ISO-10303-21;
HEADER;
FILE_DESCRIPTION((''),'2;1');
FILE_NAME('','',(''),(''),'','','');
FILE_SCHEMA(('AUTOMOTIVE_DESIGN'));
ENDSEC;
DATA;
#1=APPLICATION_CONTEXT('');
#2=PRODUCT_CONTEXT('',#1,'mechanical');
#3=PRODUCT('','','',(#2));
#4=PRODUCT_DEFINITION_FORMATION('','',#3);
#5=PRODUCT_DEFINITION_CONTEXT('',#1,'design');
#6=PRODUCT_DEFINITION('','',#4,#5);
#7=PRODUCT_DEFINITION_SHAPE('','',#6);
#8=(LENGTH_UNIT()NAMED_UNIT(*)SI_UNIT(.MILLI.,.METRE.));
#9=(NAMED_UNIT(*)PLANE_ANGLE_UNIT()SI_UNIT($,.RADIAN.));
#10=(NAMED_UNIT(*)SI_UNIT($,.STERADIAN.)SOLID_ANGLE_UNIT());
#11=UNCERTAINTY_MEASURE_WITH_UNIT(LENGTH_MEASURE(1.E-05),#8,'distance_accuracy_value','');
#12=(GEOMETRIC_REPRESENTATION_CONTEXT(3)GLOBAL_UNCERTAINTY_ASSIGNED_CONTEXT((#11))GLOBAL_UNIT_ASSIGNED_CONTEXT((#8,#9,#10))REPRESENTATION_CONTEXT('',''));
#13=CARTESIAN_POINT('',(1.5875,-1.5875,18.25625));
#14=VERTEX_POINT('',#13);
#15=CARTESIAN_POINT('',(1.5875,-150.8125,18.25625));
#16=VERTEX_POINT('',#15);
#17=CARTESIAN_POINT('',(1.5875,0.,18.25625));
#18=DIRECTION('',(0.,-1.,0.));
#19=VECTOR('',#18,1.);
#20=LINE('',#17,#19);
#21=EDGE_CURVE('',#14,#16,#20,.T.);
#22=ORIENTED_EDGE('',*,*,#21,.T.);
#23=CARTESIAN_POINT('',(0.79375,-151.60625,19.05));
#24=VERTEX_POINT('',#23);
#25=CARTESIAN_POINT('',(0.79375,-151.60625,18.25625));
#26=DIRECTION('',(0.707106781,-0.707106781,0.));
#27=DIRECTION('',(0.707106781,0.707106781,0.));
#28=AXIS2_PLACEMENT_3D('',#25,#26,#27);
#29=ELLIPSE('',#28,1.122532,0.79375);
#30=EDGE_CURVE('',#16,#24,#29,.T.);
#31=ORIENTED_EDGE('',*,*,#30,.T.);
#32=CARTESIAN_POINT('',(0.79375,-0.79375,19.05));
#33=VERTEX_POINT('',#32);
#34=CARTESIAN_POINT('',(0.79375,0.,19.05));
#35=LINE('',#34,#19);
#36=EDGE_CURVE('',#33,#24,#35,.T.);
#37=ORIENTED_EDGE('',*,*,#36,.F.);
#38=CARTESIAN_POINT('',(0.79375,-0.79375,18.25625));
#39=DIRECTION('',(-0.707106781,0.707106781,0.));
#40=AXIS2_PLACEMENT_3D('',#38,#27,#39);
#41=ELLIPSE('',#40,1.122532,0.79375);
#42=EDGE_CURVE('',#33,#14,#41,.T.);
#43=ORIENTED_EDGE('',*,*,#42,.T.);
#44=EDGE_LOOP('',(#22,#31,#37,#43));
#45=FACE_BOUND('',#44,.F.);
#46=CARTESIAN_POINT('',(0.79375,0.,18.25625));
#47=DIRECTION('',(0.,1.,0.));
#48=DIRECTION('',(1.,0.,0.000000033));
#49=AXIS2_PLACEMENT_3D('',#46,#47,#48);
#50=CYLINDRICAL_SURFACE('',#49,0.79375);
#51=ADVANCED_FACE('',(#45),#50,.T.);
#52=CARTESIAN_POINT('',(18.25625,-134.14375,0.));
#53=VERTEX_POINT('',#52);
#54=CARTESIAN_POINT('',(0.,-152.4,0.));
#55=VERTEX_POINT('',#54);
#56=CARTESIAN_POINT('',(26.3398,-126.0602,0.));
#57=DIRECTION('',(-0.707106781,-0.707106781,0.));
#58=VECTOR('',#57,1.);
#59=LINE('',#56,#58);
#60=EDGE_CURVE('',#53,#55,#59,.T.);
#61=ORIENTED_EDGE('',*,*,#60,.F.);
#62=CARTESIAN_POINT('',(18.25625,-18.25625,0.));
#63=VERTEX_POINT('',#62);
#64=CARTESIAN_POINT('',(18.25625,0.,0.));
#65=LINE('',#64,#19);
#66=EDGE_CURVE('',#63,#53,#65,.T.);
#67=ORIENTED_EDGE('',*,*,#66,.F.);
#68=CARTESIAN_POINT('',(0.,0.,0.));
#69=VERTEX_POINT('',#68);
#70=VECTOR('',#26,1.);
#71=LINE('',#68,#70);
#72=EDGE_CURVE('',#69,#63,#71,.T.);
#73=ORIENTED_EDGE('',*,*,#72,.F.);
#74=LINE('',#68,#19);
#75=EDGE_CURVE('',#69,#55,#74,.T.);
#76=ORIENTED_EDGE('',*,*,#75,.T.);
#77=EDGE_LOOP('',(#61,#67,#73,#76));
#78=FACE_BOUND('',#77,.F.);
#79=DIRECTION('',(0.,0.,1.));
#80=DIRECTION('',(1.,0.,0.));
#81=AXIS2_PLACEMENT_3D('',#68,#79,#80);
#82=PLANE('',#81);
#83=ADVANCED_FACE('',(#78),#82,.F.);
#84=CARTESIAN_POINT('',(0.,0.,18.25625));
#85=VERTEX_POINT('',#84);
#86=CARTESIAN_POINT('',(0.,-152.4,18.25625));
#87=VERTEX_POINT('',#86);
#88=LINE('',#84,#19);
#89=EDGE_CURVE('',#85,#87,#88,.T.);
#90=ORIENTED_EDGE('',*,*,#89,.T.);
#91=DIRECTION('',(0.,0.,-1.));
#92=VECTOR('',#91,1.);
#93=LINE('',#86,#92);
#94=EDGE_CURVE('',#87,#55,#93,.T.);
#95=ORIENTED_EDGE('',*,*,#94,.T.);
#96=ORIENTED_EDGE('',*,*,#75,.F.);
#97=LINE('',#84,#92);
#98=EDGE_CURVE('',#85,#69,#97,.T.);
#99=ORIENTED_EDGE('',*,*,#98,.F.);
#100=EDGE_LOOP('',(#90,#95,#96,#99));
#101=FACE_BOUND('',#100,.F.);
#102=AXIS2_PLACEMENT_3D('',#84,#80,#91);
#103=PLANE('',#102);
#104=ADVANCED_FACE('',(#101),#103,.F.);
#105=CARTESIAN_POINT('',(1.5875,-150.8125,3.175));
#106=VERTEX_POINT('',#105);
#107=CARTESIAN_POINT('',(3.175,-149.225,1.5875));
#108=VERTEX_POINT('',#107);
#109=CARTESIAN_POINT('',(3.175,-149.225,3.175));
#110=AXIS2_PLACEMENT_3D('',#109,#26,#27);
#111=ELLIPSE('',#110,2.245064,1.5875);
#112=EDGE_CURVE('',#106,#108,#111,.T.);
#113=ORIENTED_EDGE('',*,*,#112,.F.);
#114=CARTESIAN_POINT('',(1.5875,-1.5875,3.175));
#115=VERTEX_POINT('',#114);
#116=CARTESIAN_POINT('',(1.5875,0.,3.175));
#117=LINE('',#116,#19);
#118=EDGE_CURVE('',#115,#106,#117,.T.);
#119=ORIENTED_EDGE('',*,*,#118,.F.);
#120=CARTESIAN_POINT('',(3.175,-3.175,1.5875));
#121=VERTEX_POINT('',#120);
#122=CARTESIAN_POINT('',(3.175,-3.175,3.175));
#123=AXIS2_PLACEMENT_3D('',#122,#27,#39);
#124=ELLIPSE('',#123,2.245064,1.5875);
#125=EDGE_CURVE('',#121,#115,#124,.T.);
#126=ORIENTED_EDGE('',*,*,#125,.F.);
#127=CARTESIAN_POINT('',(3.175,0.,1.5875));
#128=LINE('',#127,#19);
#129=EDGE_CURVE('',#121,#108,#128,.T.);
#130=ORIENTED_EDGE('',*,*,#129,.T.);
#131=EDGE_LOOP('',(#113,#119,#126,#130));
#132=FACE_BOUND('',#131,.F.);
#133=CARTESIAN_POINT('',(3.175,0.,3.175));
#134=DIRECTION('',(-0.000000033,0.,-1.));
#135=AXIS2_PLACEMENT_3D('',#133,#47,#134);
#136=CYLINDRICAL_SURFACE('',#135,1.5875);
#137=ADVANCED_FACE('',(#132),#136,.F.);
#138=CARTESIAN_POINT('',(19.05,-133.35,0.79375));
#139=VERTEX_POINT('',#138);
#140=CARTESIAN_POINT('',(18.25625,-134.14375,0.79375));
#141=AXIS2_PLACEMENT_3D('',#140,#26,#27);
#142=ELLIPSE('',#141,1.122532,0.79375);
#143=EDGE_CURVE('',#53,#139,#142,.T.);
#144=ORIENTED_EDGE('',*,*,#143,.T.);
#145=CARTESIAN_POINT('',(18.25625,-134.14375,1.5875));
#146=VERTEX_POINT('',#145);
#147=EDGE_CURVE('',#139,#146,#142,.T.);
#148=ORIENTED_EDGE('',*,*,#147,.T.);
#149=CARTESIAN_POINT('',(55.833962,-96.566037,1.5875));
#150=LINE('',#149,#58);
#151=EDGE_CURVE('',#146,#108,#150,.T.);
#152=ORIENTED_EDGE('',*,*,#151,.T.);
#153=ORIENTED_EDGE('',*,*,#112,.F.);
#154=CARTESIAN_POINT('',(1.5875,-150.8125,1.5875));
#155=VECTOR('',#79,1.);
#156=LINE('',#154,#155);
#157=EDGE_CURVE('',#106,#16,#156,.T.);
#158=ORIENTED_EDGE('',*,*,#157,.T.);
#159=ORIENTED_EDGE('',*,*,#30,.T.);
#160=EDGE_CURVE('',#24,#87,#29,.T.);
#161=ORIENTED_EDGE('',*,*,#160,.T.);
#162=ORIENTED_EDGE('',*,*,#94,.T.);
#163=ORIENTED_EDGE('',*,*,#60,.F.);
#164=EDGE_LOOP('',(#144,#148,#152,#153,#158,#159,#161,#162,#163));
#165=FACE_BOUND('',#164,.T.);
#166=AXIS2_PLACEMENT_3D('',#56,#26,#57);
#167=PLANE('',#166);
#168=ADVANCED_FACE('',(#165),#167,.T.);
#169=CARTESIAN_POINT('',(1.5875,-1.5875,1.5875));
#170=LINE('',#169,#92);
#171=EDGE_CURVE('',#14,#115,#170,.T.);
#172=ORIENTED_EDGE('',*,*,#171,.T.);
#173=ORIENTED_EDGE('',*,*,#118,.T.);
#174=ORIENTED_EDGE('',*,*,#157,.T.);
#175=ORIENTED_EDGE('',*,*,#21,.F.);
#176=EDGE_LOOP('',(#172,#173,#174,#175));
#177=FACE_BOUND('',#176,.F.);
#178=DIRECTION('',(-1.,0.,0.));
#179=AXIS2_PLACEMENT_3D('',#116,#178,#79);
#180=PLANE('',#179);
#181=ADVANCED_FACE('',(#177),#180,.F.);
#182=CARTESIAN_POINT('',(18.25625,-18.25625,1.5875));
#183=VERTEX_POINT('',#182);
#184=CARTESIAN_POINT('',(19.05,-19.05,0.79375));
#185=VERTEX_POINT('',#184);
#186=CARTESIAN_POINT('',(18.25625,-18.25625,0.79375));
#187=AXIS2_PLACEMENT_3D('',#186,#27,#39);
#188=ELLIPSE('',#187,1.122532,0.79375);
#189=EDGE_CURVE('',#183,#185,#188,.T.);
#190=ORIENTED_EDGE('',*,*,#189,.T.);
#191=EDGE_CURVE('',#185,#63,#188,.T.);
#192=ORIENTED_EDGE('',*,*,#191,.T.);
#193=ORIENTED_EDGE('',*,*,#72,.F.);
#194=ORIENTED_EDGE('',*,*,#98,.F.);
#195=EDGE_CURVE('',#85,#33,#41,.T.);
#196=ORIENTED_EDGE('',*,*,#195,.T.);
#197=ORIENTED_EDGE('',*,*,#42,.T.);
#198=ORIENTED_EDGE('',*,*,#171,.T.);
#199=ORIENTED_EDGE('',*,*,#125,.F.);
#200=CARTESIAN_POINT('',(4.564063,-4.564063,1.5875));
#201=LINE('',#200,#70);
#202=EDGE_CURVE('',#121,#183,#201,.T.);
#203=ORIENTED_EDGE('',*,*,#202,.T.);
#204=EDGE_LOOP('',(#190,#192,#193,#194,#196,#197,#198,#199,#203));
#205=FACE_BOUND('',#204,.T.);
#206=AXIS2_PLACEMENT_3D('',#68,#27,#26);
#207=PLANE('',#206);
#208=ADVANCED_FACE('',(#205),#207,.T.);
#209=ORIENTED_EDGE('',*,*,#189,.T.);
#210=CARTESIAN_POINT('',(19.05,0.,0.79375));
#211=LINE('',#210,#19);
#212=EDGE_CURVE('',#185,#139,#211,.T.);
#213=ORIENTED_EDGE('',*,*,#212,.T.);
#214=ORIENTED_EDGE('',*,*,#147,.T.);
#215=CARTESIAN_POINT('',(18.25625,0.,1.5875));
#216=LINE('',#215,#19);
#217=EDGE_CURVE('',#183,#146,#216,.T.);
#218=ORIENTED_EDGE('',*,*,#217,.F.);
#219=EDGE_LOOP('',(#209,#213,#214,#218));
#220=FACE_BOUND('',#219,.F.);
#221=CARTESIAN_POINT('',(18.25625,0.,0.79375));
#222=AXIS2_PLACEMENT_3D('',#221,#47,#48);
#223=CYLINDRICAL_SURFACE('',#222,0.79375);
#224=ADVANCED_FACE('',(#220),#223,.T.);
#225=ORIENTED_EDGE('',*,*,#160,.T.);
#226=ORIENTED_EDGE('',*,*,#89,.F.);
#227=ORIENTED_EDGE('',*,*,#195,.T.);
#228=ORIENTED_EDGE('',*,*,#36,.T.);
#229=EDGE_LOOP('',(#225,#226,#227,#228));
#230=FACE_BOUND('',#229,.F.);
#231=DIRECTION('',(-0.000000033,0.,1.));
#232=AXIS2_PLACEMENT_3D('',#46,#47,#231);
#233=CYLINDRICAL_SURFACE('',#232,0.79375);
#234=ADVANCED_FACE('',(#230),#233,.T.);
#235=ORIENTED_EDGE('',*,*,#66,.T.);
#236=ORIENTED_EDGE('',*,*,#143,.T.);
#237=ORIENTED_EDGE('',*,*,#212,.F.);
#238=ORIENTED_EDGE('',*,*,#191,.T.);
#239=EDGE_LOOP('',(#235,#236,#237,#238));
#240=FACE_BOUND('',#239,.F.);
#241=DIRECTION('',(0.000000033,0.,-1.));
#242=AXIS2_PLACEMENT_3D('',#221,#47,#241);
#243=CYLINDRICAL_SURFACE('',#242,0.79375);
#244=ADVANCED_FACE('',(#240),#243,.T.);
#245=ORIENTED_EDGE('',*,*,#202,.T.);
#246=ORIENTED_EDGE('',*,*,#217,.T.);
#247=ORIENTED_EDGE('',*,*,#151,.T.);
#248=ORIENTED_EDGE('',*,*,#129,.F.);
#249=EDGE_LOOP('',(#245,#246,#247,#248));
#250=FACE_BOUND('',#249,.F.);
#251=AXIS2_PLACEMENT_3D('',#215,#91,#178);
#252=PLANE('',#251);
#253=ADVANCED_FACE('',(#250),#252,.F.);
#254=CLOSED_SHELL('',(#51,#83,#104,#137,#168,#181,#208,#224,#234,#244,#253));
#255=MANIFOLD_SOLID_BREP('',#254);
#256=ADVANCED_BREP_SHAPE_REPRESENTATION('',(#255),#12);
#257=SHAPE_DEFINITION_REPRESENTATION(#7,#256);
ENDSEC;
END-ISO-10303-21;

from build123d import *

# Parameters (mm, degrees)
F1_DEPTH = 152.4
F3_DEPTH = 19.051


with BuildPart() as f1:
    # F0 (on Front) → F1 (new body)
    with BuildSketch(Plane.XZ):
        with BuildLine():
            Line((0, 18.25625), (0, 0))
            Line((0, 0), (18.25625, 0))
            ThreePointArc((18.25625, 0), (18.817516, 0.232484), (19.05, 0.79375))
            ThreePointArc((19.05, 0.79375), (18.817516, 1.355016), (18.25625, 1.5875))
            Line((18.25625, 1.5875), (3.175, 1.5875))
            ThreePointArc((3.175, 1.5875), (2.052468, 2.052468), (1.5875, 3.175))
            Line((1.5875, 3.175), (1.5875, 18.25625))
            ThreePointArc((1.5875, 18.25625), (1.355016, 18.817516), (0.79375, 19.05))
            ThreePointArc((0.79375, 19.05), (0.232484, 18.817516), (0, 18.25625))
        make_face()
    extrude(amount=F1_DEPTH)

    # F2 (on Top) → F3 (cut, through all)
    with BuildSketch(Plane.XY):
        Polygon((30.352743, 0), (0, 0), (29.697519, -29.697519), align=None)
        Polygon((26.3398, -126.0602), (0, -152.4), (26.3398, -152.4), align=None)
    extrude(amount=F3_DEPTH, mode=Mode.SUBTRACT)


solid = f1.part
